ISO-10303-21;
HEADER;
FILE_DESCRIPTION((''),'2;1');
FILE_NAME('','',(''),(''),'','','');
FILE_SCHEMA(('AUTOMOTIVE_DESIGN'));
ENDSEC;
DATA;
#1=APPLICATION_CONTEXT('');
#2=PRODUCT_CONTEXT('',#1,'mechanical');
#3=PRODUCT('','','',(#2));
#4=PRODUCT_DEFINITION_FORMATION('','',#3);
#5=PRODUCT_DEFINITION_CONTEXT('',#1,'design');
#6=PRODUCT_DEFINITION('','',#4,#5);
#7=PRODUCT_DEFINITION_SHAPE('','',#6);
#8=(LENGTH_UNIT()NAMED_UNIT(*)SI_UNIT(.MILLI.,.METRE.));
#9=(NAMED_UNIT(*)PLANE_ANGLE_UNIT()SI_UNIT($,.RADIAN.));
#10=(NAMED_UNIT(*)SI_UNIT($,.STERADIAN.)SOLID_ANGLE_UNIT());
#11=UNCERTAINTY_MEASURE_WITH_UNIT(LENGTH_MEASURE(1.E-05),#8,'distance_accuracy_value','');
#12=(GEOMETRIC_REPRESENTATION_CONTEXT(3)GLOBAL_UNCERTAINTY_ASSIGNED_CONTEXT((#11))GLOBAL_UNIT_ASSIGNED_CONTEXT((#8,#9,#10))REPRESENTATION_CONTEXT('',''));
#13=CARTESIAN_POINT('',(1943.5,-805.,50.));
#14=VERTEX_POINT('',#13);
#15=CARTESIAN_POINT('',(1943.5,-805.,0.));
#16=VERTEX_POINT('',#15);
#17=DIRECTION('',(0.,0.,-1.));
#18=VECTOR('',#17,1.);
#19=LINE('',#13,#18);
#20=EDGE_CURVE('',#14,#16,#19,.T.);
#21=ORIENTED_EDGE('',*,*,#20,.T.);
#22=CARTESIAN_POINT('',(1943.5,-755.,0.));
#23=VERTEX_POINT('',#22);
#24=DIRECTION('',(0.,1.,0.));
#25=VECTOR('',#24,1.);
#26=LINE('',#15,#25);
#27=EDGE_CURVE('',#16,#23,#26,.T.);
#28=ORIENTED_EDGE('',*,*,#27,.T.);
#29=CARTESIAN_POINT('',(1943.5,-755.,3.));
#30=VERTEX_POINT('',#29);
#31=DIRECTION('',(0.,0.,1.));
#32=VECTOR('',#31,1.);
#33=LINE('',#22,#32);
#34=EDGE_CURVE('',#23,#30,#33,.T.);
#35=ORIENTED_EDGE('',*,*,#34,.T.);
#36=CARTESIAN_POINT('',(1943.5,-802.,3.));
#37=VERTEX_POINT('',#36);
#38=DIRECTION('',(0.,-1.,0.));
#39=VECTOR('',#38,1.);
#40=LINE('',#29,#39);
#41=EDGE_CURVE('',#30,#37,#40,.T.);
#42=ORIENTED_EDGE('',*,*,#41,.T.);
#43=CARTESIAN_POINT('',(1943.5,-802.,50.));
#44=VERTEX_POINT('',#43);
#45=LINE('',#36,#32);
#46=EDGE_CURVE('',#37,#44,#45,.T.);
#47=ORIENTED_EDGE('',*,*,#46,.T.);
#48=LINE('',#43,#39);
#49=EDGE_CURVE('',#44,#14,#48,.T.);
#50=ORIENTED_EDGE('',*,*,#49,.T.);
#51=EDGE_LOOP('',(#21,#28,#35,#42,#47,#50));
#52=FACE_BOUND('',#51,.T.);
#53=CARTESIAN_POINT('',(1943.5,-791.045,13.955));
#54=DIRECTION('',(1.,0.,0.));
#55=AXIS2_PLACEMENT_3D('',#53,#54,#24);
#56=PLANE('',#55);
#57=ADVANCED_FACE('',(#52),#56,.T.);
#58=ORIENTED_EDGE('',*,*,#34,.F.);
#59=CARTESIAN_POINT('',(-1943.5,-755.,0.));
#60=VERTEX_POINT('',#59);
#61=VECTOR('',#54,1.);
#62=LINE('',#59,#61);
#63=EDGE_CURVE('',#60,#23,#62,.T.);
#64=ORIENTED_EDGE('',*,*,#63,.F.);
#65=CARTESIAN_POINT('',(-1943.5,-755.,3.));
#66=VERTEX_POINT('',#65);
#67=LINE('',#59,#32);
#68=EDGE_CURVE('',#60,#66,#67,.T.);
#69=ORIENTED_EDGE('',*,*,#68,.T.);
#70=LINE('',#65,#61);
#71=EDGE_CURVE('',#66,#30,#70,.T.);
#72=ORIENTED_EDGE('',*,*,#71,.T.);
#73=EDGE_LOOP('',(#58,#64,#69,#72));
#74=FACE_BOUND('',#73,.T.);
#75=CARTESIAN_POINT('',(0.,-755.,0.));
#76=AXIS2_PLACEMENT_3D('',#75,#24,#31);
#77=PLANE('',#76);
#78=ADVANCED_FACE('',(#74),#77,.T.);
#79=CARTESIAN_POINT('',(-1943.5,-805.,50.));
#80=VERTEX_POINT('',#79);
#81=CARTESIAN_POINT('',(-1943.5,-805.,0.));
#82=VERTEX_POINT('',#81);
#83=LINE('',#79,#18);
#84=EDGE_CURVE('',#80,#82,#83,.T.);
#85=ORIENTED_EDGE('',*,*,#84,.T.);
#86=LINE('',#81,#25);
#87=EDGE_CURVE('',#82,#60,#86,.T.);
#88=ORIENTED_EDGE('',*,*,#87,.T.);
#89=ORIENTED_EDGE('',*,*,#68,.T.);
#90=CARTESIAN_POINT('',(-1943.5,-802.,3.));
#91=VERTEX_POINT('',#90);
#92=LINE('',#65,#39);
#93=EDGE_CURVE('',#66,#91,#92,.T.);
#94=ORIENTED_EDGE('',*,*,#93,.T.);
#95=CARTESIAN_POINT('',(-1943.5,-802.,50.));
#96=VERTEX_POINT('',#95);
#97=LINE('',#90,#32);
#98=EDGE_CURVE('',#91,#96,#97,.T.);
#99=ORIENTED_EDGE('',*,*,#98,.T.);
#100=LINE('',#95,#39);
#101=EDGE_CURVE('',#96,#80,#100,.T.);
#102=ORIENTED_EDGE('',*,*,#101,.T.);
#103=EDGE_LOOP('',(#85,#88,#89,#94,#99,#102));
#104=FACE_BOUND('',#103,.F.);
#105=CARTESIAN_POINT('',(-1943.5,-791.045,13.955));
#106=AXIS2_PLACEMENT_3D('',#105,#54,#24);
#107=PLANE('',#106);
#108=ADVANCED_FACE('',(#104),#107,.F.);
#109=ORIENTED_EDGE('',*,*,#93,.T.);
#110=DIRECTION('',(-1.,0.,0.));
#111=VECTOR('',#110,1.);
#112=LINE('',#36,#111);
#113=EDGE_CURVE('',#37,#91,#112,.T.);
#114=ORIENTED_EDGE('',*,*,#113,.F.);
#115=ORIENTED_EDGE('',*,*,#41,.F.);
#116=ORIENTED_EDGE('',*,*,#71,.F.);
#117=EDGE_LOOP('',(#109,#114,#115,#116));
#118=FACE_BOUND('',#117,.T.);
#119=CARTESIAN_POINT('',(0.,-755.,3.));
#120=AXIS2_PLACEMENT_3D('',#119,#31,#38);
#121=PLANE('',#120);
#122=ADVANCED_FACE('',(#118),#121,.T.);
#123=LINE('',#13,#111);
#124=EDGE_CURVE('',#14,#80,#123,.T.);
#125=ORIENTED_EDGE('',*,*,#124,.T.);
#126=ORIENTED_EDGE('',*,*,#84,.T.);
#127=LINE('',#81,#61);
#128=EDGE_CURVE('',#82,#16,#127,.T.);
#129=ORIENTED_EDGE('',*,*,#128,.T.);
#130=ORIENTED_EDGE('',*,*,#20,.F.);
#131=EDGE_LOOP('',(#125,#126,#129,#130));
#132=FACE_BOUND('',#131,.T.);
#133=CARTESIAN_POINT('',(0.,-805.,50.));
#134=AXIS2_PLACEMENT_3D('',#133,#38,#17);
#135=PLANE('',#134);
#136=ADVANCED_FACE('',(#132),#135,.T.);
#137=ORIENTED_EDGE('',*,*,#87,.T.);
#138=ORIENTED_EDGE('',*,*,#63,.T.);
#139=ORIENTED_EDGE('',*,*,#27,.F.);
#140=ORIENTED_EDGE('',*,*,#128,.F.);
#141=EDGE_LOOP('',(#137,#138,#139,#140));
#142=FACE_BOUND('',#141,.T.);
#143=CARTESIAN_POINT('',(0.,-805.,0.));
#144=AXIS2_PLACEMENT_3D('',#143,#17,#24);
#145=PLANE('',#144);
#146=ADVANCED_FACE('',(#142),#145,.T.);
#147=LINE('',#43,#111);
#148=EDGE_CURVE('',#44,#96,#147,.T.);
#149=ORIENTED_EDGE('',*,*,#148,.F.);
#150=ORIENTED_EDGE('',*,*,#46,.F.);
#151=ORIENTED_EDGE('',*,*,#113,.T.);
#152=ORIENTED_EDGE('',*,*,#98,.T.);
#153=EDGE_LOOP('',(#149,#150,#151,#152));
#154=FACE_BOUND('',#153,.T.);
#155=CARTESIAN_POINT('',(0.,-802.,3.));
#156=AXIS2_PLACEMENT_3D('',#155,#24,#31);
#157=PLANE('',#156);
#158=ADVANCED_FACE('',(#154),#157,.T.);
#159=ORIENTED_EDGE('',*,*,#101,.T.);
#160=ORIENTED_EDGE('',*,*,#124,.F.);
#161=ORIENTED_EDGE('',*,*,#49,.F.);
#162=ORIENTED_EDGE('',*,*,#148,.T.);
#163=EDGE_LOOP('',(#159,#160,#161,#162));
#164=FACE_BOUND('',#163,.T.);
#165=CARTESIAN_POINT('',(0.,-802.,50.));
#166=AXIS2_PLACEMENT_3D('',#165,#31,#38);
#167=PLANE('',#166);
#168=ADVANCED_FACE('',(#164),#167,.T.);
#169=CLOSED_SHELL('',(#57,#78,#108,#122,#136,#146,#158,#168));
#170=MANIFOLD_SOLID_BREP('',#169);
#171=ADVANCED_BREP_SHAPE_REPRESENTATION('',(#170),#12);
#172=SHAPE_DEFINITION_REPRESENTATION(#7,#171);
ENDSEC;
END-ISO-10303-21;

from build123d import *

# Parameters (mm, degrees)
PAD_DEPTH = 1943.5


with BuildPart() as part:
    # Sketch → Pad (new body, symmetric)
    with BuildSketch(Plane.YZ):
        Polygon((-805, 50), (-805, 0), (-755, 0), (-755, 3), (-802, 3), (-802, 50), align=None)
    extrude(amount=PAD_DEPTH, both=True)


solid = part.part
